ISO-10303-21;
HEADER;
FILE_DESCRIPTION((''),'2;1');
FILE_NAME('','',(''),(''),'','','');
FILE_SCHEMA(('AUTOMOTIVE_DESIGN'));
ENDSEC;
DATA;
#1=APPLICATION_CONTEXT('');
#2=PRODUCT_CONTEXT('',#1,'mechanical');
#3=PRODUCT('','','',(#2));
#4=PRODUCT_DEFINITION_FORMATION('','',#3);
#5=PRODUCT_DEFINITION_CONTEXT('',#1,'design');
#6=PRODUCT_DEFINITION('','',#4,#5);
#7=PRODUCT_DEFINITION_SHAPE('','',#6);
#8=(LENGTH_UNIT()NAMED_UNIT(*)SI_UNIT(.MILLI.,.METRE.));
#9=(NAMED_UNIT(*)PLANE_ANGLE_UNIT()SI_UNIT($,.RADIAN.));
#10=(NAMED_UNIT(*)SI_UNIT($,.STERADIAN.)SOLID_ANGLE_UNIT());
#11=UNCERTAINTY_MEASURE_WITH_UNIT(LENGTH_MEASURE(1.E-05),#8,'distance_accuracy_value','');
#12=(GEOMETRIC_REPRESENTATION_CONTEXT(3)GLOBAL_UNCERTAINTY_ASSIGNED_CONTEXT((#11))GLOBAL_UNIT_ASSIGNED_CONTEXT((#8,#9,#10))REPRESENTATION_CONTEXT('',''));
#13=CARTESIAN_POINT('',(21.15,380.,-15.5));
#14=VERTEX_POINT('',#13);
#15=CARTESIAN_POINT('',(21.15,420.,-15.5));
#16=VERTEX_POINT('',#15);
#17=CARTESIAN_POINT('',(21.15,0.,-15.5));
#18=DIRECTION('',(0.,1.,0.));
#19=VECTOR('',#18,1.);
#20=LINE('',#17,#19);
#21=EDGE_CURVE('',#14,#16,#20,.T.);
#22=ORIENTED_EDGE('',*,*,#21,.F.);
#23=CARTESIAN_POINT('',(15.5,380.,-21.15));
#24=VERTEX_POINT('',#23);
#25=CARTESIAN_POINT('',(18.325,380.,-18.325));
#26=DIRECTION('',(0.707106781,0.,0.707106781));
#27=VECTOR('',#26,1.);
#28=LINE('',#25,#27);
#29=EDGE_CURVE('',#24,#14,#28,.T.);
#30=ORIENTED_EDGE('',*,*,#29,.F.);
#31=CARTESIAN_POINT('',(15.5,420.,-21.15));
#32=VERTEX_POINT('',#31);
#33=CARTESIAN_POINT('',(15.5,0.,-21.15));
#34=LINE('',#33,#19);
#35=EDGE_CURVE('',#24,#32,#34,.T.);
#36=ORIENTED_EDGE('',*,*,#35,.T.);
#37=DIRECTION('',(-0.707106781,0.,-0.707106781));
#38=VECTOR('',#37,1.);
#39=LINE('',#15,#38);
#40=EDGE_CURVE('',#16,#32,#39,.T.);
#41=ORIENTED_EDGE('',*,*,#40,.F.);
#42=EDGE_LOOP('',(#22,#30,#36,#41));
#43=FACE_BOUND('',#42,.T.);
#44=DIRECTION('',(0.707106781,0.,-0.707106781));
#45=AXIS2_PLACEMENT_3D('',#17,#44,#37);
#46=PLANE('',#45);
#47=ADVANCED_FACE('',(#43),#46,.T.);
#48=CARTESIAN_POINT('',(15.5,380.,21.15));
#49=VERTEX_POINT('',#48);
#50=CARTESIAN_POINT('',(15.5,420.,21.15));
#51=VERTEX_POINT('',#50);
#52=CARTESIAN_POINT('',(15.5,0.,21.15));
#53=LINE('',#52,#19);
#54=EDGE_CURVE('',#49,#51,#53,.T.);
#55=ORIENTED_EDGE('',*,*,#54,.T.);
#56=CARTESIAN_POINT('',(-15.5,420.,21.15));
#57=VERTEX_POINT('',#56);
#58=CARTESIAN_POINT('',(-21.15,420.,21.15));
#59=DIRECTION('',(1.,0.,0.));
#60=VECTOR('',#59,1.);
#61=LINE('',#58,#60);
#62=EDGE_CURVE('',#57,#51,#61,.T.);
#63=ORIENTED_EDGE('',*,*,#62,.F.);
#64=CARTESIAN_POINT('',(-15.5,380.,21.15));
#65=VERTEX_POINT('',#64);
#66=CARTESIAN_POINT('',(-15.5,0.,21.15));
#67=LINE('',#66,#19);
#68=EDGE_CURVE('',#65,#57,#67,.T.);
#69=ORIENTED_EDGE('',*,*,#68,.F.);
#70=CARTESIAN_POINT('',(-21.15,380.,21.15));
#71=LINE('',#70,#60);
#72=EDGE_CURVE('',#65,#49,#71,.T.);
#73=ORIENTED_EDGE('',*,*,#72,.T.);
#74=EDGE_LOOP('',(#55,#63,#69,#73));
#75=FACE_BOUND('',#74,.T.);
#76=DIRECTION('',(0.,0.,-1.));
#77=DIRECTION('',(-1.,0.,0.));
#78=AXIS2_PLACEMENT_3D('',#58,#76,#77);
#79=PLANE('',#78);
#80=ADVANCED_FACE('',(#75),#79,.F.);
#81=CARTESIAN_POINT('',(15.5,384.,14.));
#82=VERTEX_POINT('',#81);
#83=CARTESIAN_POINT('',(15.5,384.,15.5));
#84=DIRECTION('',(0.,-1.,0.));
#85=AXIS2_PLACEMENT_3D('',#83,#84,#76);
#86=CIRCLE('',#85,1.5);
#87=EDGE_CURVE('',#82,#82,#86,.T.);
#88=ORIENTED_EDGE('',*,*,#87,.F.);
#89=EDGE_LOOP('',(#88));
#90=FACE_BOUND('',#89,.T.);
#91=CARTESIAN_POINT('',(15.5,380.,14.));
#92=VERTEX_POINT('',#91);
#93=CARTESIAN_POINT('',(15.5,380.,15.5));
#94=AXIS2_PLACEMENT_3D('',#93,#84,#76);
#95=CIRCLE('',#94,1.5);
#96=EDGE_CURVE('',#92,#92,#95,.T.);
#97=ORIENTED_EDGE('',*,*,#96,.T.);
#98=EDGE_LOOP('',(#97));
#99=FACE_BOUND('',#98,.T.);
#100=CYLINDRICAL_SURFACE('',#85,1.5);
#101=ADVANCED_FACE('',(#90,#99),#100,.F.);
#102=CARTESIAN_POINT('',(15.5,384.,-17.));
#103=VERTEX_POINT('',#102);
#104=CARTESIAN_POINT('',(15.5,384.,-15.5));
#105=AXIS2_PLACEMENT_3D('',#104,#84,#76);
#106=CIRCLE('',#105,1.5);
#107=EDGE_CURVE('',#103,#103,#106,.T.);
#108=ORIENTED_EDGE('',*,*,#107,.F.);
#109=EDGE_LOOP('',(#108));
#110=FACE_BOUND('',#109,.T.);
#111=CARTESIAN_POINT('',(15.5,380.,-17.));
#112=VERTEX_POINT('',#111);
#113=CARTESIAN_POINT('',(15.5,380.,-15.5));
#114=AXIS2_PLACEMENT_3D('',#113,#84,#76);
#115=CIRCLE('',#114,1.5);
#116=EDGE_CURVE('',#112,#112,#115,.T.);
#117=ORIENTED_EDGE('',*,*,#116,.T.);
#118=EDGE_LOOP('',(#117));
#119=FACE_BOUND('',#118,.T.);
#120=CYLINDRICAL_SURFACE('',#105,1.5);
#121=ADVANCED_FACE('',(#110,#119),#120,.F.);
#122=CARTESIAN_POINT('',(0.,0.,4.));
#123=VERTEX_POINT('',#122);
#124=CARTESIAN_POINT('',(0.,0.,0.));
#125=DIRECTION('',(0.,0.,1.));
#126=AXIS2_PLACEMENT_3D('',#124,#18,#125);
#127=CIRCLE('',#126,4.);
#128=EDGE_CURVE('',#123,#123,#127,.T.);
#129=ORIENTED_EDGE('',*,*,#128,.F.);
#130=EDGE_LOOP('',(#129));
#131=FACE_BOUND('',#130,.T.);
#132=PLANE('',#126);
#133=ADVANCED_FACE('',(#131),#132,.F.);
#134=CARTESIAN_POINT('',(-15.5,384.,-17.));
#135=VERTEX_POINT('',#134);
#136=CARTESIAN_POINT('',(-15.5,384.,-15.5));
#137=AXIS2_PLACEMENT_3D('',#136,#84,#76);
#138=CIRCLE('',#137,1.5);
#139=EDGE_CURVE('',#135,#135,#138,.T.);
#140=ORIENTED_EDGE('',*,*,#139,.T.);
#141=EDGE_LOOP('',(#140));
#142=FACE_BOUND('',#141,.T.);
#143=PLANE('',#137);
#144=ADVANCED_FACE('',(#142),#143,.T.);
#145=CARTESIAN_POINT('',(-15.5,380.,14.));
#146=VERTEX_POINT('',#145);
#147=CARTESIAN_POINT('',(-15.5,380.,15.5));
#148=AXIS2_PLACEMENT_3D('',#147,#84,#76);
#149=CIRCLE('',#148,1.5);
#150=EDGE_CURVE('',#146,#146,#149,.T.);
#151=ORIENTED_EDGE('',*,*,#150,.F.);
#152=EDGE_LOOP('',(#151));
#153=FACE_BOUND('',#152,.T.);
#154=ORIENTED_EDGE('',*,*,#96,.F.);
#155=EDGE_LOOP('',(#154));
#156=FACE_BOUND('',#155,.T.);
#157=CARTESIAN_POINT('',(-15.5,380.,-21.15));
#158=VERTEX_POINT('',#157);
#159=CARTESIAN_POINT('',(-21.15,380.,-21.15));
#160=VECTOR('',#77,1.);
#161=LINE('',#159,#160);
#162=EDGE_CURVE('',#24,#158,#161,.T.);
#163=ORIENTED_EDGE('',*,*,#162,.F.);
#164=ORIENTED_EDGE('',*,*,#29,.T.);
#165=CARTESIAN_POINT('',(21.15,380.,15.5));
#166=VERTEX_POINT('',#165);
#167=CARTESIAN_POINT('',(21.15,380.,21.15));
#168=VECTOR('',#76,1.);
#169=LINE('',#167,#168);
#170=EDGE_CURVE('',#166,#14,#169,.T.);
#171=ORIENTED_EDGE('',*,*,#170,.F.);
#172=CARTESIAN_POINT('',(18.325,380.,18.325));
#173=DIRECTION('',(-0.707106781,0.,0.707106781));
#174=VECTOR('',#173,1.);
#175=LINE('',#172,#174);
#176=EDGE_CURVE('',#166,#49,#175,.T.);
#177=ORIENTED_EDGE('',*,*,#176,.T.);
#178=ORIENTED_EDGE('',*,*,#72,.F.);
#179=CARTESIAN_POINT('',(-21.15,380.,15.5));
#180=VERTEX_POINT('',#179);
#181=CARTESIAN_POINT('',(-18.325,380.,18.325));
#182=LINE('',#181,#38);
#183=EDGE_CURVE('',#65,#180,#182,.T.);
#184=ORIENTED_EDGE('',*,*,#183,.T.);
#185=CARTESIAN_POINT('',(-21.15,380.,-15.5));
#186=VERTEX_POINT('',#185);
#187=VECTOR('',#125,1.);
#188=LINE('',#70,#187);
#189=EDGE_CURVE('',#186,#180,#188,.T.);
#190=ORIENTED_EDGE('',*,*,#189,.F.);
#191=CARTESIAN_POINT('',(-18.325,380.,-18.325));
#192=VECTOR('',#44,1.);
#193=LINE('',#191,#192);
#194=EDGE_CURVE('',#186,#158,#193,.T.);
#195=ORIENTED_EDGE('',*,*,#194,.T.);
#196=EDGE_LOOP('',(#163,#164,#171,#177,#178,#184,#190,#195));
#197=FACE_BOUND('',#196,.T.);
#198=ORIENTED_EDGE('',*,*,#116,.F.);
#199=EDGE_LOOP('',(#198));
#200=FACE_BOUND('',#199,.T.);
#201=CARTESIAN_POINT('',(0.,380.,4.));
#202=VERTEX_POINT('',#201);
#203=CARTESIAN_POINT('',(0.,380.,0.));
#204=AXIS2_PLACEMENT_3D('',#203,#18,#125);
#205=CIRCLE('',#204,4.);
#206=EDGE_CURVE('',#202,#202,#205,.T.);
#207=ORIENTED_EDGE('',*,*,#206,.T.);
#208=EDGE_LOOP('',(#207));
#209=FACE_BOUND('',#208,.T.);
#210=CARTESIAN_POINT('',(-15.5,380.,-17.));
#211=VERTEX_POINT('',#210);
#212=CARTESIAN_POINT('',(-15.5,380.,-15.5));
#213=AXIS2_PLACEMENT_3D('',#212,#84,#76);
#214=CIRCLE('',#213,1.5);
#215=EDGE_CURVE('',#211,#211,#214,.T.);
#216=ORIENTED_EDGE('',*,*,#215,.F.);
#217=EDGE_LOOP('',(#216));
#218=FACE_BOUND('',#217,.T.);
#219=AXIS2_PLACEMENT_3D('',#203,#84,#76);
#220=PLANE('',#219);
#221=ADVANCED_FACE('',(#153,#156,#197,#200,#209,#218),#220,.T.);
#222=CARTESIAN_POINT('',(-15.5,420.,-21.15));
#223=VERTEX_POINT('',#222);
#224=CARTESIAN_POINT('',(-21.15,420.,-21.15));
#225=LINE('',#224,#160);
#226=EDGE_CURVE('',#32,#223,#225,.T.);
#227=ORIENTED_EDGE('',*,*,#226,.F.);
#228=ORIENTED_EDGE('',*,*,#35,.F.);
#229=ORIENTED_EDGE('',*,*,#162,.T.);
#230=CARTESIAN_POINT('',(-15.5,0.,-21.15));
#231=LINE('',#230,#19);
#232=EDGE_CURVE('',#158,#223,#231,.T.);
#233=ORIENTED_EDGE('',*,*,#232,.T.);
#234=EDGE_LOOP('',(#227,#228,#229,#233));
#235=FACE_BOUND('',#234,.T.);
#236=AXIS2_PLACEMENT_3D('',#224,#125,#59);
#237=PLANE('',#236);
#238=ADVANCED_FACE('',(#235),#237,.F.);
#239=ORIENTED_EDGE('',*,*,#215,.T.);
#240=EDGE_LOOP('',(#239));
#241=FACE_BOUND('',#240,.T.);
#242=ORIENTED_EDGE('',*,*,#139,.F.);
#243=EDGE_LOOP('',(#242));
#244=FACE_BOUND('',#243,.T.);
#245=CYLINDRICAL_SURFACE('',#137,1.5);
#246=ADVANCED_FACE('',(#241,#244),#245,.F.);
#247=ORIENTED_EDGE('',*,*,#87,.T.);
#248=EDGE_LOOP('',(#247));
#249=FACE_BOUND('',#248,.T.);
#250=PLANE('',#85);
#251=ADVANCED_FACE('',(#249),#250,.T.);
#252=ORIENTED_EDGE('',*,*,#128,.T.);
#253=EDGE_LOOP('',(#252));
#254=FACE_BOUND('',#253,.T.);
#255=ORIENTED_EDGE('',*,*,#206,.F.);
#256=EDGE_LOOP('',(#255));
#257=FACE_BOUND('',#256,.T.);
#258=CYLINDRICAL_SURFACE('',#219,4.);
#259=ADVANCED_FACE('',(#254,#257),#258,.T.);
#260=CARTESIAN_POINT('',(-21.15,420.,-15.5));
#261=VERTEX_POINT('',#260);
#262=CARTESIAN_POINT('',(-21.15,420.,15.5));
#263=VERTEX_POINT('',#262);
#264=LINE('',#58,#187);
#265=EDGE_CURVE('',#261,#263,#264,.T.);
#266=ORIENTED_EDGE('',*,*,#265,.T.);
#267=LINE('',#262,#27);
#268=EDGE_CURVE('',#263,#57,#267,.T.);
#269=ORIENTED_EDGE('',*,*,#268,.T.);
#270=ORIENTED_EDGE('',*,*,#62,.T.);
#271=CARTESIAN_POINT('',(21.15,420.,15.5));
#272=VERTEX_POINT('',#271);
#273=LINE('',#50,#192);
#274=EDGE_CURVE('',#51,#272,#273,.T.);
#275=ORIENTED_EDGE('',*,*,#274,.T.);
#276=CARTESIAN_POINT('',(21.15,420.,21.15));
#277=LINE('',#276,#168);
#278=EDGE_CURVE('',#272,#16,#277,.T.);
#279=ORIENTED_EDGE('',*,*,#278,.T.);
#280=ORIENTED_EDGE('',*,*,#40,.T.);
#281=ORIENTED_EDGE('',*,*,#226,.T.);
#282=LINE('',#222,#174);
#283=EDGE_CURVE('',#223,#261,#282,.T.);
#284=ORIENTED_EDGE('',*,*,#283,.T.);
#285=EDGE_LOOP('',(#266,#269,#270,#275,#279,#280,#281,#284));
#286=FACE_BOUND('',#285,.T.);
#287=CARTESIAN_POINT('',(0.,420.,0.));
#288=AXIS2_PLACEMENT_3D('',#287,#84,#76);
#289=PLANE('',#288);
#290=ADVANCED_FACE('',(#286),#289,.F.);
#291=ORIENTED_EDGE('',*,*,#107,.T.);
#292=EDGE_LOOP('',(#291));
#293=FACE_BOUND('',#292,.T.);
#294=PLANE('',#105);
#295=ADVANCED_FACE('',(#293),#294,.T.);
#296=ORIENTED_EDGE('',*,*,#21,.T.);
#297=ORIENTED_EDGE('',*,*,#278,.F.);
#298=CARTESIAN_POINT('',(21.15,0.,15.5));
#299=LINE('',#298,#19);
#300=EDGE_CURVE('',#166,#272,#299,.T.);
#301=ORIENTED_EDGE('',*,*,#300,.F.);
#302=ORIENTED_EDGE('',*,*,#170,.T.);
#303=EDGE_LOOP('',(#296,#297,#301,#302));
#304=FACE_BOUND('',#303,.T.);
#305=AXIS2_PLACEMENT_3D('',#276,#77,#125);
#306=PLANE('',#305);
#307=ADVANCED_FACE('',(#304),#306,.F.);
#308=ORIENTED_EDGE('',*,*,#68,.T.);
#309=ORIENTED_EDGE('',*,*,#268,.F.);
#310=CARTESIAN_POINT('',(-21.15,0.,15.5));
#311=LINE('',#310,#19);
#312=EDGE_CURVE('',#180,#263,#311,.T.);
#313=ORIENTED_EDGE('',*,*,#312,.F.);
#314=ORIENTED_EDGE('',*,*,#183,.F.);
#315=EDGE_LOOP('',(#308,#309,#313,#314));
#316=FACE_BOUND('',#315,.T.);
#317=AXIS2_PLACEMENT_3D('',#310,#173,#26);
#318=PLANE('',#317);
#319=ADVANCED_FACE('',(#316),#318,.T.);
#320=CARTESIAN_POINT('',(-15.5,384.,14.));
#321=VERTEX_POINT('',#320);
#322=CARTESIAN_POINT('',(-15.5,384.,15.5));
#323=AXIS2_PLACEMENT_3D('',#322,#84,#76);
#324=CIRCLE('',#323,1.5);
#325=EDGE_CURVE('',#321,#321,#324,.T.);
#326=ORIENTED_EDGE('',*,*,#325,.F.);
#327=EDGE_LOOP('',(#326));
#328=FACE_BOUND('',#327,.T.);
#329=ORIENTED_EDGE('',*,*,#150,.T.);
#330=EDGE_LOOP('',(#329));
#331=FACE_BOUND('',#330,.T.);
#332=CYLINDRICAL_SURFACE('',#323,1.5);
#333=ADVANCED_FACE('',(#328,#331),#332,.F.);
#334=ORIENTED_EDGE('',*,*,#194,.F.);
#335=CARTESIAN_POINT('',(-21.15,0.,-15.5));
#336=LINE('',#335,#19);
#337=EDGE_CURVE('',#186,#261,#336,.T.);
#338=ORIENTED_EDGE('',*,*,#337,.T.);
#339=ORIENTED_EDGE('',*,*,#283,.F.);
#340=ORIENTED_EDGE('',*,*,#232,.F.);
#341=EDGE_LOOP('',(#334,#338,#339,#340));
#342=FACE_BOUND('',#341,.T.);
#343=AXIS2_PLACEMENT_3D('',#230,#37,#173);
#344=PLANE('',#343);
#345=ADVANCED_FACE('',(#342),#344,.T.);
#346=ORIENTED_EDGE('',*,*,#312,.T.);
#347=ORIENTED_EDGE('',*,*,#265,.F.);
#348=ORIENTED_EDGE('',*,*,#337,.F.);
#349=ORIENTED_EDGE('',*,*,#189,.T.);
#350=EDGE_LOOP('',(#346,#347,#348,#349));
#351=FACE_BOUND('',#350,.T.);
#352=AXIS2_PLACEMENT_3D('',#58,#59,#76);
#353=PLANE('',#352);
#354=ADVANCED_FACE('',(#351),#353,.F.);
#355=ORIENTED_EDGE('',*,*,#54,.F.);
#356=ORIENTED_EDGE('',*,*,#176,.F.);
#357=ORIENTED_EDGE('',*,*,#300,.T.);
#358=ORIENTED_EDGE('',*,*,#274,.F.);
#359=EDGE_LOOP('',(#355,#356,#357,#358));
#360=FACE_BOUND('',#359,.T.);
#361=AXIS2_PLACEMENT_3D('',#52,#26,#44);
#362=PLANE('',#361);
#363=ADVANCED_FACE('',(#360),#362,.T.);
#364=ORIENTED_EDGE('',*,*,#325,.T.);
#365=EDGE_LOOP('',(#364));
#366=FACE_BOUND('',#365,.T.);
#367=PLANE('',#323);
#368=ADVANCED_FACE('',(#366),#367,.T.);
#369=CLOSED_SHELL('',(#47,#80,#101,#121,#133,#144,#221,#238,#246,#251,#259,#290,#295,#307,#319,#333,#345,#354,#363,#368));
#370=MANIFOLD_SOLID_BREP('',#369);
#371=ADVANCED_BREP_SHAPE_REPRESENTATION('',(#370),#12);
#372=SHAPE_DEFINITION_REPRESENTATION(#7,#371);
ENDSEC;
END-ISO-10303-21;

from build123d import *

# Parameters (mm, degrees)
SKETCH_1_R          = 4
EXTRUDE_1_DEPTH     = 380
SKETCH_5_W          = 42.3
SKETCH_5_H          = 42.3
EXTRUDE_5_DEPTH     = 40
SKETCH_7_OUTSIDE_W  = 129.148
SKETCH_7_OUTSIDE_H  = 129.148
CUT_EXTRUDE_1_DEPTH = 422.063706581
SKETCH_8_R          = 1.5
CUT_EXTRUDE_2_DEPTH = 4


with BuildPart() as part:
    # 草图1 → 凸台-拉伸1 (new body)
    with BuildSketch(Plane(origin=(0, 0, 0), x_dir=(1, 0, 0), z_dir=(0, 1, 0))):
        with Locations(Location((0, 0, 0), (0, 0, 270))):
            Circle(SKETCH_1_R)
    extrude(amount=EXTRUDE_1_DEPTH)

    # 草图5 → 凸台-拉伸5 (add)
    with BuildSketch(Plane(origin=(0, 380, 0), x_dir=(1, 0, 0), z_dir=(0, 1, 0))):
        Rectangle(SKETCH_5_W, SKETCH_5_H)
    extrude(amount=EXTRUDE_5_DEPTH)

    # 草图7 outside → 切除-拉伸1 (cut, through all)
    with BuildSketch(Plane(origin=(0, 420, 0), x_dir=(1, 0, 0), z_dir=(0, 1, 0))):
        Rectangle(SKETCH_7_OUTSIDE_W, SKETCH_7_OUTSIDE_H)
        Polygon((-15.5, 21.15), (-21.15, 15.5), (-21.15, -15.5), (-15.5, -21.15), (15.5, -21.15), (21.15, -15.5), (21.15, 15.5), (15.5, 21.15), align=None, mode=Mode.SUBTRACT)
    extrude(amount=-CUT_EXTRUDE_1_DEPTH, mode=Mode.SUBTRACT)

    # 草图8 → 切除-拉伸2 (cut)
    with BuildSketch(Plane.XZ.offset(-380)):
        with Locations(Location((-15.5, 15.5, 0), (0, 0, 270))):
            Circle(SKETCH_8_R)
        with Locations(Location((15.5, 15.5, 0), (0, 0, 270))):
            Circle(SKETCH_8_R)
        with Locations(Location((15.5, -15.5, 0), (0, 0, 270))):
            Circle(SKETCH_8_R)
        with Locations(Location((-15.5, -15.5, 0), (0, 0, 270))):
            Circle(SKETCH_8_R)
    extrude(amount=-CUT_EXTRUDE_2_DEPTH, mode=Mode.SUBTRACT)


solid = part.part
